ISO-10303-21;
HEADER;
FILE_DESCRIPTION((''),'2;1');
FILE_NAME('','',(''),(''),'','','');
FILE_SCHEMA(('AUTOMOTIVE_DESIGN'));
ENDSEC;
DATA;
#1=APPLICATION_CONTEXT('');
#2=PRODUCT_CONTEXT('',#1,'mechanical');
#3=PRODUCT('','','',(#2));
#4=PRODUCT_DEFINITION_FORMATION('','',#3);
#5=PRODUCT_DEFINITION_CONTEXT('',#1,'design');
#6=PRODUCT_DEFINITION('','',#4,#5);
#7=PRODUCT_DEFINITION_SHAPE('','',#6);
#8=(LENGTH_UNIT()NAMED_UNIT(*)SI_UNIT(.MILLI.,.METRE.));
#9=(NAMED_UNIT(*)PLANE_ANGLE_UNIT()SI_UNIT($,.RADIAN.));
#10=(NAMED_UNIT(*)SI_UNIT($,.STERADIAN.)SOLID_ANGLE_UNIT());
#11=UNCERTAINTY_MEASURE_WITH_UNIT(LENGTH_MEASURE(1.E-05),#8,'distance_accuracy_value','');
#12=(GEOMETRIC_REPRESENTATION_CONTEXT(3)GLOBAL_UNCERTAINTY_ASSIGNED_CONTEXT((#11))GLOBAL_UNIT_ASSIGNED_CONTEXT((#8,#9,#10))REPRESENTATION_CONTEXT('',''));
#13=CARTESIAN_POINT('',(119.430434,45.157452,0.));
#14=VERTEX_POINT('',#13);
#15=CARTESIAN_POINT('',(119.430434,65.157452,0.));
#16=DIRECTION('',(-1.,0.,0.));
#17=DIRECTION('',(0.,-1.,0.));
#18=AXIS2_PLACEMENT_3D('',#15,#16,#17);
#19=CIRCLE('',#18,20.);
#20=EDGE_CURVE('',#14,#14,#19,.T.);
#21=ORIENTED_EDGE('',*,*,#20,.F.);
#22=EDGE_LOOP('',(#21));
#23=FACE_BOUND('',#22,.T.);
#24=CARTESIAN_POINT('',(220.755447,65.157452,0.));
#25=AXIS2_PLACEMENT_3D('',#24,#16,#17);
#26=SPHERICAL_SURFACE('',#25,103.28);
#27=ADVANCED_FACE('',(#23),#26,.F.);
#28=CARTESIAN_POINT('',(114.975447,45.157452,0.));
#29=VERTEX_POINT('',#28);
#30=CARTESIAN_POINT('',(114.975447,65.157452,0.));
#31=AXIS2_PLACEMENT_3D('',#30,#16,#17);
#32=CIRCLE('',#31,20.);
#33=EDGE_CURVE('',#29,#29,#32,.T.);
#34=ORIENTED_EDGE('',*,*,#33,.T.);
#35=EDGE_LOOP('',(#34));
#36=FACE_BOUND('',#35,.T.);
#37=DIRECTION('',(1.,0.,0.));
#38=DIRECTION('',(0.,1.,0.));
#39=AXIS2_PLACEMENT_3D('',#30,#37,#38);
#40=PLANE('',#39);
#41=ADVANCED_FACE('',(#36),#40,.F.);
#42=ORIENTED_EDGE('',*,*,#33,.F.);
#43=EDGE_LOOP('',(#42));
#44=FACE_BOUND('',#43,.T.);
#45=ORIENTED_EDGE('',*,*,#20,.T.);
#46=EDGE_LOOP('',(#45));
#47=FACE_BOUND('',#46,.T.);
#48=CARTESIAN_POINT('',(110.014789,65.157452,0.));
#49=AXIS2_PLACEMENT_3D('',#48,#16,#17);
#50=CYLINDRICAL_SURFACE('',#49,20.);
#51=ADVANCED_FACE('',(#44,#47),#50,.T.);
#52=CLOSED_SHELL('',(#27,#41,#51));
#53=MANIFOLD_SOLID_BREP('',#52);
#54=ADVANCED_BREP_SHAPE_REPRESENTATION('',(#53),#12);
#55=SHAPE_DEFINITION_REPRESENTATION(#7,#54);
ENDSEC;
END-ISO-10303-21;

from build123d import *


with BuildPart() as part:
    # 草图1 → 旋转1 (revolve)
    with BuildSketch(Plane.XY, mode=Mode.PRIVATE) as revolve_1_sk:
        with BuildLine():
            Line((114.97544726, 65.157451827), (114.97544726, 85.157451827))
            Line((114.97544726, 85.157451827), (119.430433567, 85.157451827))
            ThreePointArc((119.430433567, 85.157451827), (117.965355777, 75.205112891), (117.47544726, 65.157451827))
            Line((117.47544726, 65.157451827), (114.97544726, 65.157451827))
        make_face()
    revolve(revolve_1_sk.sketch.rotate(Axis((110.014789249, 65.157451827, 0), (1, 0, 0)), 180), axis=Axis((110.014789249, 65.157451827, 0), (1, 0, 0)))  # turned: the seam where the file's is


solid = part.part
